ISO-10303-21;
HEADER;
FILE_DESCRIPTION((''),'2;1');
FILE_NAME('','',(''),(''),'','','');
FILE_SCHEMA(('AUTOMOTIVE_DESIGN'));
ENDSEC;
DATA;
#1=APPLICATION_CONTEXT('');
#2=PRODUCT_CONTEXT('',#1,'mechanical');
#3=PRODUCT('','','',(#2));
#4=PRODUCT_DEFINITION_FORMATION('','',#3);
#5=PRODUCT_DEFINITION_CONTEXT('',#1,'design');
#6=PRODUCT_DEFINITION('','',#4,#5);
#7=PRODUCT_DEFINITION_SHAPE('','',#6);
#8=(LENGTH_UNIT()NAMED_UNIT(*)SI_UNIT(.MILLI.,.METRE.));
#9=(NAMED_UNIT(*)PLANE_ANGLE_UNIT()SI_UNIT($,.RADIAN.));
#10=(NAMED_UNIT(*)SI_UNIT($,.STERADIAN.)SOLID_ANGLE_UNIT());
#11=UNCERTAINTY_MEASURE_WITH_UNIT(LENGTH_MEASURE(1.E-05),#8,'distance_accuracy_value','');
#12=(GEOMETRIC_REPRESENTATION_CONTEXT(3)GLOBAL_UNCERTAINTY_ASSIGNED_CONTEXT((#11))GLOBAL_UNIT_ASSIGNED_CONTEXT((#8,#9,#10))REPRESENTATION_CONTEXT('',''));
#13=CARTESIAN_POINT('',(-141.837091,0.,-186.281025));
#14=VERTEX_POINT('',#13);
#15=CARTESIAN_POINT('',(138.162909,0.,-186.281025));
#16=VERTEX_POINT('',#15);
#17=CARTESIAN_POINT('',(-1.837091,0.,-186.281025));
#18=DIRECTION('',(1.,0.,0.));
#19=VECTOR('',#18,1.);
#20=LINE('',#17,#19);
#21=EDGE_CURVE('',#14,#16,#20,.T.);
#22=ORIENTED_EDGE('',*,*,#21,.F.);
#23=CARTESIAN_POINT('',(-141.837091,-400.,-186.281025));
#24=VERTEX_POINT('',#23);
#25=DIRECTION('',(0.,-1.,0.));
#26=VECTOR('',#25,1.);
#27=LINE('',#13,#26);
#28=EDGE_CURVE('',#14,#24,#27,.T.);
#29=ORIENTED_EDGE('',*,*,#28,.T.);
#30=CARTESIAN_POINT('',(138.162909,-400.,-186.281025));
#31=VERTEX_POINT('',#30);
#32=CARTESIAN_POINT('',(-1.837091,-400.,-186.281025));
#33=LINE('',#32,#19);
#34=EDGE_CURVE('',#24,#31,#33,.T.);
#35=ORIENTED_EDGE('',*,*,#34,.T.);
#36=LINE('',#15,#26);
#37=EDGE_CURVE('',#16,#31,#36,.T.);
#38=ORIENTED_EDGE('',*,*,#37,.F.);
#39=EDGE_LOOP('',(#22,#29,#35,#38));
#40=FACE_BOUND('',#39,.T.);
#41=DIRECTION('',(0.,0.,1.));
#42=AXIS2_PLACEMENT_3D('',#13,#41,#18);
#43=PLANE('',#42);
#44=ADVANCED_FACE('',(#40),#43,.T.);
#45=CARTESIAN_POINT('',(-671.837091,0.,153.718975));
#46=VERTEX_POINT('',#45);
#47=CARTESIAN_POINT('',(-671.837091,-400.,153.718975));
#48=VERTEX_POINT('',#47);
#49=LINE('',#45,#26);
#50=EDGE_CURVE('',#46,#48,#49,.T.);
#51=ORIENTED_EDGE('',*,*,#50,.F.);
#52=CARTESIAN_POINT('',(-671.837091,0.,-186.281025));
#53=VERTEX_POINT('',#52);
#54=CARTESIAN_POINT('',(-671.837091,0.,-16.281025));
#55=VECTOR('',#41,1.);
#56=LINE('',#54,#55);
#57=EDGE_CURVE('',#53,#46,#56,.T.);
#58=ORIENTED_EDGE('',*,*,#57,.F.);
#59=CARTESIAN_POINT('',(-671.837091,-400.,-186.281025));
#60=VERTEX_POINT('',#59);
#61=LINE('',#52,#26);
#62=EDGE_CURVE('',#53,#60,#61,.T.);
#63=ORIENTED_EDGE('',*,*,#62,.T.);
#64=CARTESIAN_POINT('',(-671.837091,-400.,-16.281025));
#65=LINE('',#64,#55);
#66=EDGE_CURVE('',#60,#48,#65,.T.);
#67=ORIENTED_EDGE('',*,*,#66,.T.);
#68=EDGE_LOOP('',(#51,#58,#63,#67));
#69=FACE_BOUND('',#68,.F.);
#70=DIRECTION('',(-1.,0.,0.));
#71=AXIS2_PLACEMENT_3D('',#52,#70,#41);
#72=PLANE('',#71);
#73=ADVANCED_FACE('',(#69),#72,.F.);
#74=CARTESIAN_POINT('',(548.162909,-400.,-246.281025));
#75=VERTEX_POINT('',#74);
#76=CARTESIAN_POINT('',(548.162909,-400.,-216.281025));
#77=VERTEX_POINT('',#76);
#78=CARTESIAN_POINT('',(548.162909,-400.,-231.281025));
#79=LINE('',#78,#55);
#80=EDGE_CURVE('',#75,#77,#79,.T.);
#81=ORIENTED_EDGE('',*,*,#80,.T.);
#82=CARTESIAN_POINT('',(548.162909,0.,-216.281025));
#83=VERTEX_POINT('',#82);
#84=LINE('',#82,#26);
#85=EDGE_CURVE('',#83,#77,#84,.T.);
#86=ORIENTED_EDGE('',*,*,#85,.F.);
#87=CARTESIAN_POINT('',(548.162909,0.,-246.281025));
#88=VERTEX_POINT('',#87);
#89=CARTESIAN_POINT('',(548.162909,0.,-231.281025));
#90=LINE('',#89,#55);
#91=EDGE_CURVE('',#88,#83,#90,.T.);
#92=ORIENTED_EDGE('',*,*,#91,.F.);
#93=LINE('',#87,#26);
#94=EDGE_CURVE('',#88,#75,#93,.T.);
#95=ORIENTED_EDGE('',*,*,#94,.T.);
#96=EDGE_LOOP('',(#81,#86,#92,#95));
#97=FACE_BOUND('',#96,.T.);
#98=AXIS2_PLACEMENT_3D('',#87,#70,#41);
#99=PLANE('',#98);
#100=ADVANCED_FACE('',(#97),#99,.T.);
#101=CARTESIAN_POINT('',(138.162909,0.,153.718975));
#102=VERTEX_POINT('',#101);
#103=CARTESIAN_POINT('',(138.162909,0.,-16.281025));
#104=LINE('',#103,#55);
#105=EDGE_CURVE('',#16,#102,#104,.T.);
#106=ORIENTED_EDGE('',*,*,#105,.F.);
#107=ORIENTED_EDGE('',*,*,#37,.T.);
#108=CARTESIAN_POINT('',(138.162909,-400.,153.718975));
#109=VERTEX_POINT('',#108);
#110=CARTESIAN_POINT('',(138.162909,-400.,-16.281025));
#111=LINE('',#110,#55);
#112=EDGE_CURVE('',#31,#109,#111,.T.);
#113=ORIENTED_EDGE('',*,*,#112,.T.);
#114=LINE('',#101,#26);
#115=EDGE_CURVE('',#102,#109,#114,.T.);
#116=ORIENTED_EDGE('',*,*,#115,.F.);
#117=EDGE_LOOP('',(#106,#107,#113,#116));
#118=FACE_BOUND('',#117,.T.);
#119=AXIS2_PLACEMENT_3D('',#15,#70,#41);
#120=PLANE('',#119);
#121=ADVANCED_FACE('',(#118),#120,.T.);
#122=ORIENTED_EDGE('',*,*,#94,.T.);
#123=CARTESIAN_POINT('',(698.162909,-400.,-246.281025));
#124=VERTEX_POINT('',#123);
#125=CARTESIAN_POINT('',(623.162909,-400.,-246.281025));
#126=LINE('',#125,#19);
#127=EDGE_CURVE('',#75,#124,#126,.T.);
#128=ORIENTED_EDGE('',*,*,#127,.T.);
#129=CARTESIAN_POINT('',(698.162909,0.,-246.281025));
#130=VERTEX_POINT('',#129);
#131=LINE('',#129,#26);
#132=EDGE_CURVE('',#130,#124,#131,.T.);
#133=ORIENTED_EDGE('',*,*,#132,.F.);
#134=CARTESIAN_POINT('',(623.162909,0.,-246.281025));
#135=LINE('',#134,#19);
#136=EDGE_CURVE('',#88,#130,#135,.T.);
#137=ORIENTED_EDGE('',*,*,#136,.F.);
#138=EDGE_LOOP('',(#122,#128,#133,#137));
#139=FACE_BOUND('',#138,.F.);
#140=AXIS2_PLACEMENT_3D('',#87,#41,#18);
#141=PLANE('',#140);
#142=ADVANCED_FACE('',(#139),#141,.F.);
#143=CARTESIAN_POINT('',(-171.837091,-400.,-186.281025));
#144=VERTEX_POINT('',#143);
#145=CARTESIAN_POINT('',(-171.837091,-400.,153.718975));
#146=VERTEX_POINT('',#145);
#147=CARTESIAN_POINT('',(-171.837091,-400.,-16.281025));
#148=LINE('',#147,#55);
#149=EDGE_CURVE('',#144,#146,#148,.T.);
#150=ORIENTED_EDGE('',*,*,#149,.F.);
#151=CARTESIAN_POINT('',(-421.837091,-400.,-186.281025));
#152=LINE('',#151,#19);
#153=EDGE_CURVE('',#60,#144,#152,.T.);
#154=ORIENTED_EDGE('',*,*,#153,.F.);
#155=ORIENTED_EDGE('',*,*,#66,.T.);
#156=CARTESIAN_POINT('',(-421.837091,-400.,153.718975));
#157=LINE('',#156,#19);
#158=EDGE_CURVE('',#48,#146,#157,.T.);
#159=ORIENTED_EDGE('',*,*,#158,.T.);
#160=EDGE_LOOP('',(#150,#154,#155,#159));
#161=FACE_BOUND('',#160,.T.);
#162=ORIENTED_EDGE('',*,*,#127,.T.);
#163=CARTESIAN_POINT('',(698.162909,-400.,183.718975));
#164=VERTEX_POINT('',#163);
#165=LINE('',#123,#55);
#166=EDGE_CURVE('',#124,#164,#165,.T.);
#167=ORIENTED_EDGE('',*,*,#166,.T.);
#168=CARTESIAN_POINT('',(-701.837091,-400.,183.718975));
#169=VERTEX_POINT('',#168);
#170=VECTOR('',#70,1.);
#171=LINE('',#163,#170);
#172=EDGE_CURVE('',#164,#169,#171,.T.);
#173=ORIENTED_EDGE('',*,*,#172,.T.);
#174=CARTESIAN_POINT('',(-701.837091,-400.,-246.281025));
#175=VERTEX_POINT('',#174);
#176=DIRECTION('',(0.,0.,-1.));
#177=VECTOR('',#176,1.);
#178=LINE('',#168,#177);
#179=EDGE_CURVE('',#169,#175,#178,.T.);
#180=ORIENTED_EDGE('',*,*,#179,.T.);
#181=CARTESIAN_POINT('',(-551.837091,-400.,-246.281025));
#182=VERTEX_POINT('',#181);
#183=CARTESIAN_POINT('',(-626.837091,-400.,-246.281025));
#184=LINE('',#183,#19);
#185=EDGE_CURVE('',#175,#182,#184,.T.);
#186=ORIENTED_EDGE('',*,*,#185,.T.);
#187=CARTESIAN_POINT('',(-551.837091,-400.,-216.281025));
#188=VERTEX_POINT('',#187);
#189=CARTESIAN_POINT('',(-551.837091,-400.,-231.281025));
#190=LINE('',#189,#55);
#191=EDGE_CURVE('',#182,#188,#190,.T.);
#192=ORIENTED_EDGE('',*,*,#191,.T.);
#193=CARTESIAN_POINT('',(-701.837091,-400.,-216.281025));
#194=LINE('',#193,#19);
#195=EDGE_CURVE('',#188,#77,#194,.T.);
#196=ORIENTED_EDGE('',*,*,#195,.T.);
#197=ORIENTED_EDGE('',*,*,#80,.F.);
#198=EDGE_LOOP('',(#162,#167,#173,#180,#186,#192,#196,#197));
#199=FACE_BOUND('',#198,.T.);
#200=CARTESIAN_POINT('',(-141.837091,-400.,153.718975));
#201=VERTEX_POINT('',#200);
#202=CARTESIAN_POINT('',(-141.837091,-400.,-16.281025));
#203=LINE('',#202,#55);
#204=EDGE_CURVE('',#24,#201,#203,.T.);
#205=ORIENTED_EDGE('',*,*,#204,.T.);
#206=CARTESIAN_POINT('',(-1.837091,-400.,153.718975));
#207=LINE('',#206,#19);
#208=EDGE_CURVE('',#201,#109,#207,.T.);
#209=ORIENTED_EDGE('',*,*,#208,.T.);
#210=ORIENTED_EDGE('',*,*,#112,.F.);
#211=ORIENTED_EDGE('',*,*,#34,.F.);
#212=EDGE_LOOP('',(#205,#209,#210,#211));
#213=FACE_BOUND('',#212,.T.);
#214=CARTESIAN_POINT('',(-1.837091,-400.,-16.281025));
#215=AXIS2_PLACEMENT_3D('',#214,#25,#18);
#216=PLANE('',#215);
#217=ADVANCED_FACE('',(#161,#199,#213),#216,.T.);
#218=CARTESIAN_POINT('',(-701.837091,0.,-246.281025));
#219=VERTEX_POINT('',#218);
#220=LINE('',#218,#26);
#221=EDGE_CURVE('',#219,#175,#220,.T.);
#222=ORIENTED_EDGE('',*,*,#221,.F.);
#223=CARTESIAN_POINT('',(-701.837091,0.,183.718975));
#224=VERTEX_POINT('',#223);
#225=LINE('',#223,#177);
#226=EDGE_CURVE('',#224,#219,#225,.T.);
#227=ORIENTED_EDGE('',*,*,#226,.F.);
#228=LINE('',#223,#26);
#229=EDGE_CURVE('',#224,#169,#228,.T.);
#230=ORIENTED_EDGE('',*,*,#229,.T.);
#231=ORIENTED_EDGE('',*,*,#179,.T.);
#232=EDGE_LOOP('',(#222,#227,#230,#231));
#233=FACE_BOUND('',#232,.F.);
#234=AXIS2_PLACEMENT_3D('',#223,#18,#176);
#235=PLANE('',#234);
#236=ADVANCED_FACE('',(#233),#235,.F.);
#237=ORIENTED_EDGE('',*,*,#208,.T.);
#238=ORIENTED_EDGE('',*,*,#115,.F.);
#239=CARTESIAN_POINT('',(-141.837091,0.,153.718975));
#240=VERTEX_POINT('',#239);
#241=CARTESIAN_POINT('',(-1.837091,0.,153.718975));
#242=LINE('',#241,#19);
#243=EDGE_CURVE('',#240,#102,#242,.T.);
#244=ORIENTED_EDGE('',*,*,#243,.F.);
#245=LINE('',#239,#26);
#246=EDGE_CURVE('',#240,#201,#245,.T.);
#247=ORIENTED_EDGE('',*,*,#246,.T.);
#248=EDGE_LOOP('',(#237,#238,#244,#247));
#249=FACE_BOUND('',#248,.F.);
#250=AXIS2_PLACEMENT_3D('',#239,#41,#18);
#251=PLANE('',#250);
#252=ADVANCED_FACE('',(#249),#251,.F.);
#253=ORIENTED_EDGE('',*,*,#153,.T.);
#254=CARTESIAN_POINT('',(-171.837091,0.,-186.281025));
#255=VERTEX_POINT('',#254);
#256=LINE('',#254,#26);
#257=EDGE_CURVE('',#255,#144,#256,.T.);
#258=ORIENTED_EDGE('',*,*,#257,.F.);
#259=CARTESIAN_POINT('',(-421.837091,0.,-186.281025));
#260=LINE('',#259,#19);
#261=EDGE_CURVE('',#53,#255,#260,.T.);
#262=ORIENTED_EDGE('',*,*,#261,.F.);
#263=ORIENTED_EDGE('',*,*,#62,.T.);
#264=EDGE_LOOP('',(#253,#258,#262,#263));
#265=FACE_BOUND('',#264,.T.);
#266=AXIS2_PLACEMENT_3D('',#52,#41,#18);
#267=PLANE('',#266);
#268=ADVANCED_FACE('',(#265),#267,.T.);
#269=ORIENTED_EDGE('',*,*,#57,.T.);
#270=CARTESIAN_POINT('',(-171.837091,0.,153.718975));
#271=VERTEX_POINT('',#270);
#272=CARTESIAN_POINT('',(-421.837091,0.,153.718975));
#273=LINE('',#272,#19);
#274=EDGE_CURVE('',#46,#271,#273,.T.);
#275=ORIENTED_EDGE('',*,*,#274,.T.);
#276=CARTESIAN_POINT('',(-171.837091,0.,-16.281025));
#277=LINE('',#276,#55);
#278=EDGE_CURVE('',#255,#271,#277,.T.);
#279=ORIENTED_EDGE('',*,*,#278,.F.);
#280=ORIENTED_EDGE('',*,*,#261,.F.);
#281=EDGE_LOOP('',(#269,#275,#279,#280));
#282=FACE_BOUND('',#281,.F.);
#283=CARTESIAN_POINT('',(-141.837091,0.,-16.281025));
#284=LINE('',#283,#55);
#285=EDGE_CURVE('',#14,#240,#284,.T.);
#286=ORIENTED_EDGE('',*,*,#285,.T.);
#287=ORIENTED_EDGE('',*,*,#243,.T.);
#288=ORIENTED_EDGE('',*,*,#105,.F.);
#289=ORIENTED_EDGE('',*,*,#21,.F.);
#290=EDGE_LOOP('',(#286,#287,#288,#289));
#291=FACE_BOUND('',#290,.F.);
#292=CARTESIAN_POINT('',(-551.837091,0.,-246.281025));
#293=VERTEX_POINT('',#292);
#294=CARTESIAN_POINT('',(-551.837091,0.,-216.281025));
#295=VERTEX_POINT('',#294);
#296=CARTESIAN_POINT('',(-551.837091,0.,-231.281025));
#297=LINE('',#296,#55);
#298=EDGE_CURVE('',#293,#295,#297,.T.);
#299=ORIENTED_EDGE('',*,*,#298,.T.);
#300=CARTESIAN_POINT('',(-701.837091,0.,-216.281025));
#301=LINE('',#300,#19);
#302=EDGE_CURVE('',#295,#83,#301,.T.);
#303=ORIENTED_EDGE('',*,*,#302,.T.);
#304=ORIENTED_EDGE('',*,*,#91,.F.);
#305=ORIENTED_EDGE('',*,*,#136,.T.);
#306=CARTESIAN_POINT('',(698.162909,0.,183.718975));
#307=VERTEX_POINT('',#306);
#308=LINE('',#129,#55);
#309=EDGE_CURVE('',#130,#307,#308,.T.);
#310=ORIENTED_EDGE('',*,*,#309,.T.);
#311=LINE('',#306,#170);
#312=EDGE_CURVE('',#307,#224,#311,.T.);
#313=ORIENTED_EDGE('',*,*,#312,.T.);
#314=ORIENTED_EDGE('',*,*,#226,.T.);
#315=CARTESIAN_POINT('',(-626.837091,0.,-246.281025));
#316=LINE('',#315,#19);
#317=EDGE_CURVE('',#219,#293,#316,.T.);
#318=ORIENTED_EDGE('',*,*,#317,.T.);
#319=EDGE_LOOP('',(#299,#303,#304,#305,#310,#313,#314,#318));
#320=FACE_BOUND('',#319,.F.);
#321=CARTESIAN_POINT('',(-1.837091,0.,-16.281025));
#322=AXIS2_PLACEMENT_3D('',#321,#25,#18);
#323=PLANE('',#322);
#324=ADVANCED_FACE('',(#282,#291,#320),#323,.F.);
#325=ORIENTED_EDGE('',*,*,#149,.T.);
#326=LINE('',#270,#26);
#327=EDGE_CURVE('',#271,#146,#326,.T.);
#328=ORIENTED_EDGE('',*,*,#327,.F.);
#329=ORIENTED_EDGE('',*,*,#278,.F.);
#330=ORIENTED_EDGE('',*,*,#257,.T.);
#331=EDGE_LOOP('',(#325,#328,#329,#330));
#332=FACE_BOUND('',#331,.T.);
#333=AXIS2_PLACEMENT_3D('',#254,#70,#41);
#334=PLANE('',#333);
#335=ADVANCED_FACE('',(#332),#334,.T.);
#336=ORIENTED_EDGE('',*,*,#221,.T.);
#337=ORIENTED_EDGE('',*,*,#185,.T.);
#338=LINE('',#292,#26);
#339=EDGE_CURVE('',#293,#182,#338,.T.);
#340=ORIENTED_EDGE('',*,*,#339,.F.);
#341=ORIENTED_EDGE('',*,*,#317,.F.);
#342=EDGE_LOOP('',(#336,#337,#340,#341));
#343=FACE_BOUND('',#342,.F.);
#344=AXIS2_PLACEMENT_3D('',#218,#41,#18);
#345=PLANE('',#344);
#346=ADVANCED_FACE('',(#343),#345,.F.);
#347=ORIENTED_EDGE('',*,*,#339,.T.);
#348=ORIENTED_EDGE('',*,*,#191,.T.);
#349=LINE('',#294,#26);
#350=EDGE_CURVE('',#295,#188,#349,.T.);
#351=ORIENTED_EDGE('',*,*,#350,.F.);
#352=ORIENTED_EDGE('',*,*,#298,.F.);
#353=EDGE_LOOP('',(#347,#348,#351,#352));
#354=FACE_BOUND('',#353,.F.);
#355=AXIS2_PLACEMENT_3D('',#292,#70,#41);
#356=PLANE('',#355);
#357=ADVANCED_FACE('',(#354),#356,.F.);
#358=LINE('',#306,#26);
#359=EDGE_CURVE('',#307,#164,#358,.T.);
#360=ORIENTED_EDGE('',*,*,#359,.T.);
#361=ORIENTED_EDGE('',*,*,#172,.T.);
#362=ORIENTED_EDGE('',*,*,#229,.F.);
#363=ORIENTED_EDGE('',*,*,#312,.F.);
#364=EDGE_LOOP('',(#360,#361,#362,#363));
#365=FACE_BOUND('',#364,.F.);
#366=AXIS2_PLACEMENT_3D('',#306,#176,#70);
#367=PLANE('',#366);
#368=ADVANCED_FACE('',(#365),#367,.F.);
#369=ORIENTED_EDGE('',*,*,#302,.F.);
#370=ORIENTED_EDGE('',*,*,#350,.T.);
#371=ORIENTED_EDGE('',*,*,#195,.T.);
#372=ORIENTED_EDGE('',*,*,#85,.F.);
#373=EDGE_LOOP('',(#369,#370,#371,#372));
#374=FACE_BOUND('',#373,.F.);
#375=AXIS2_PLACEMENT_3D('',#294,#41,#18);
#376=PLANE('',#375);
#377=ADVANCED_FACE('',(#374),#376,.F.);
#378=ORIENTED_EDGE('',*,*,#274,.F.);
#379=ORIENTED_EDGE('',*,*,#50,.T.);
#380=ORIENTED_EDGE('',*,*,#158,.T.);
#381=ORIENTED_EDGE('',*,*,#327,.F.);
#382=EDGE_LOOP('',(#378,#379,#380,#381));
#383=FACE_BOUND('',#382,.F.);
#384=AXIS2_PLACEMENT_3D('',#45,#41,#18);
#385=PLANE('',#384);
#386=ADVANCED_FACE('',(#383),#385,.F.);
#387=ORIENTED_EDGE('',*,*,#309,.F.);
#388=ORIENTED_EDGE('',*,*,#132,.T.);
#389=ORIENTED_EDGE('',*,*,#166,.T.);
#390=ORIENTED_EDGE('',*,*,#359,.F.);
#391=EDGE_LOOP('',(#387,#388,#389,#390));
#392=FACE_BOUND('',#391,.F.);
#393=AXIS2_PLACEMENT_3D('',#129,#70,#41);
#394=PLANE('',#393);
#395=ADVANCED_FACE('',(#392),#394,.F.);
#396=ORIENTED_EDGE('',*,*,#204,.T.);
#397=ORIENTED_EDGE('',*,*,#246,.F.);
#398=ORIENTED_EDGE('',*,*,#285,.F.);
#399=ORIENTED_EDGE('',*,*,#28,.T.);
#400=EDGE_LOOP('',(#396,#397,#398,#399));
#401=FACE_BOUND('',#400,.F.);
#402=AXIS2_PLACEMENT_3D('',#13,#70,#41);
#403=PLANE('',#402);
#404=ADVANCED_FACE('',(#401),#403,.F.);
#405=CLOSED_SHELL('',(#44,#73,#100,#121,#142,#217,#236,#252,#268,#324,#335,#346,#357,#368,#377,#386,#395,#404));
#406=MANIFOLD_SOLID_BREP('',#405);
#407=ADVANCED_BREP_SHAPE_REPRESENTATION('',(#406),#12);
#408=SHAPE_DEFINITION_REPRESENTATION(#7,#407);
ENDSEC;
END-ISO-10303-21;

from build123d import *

# Parameters (mm, degrees)
F0_W     = 500
F0_H     = 340
F0_W_2   = 280
F0_W_3   = 150
F0_H_2   = 30
F1_DEPTH = 400


with BuildPart() as f1:
    # F0 (on Front) → F1 (new body)
    with BuildSketch(Plane.XZ):
        Polygon((698.162909, 183.718975), (-701.837091, 183.718975), (-701.837091, 143.844262), (-701.837091, 143.718975), (-701.837091, -216.281025), (-551.837091, -216.281025), (548.162909, -216.281025), (698.162909, -216.281025), (698.162909, -186.281025), (698.162909, 153.718975), align=None)
        with Locations((-421.837091, -16.281025)):
            Rectangle(F0_W, F0_H, mode=Mode.SUBTRACT)
        with Locations((-1.837091, -16.281025)):
            Rectangle(F0_W_2, F0_H, mode=Mode.SUBTRACT)
        with Locations((418.162909, -16.281025)):
            Rectangle(F0_W, F0_H, mode=Mode.SUBTRACT)
        with Locations((623.162909, -231.281025)):
            Rectangle(F0_W_3, F0_H_2)
        with Locations((418.162909, -16.281025)):
            Rectangle(F0_W, F0_H)
        with Locations((-626.837091, -231.281025)):
            Rectangle(F0_W_3, F0_H_2)
    extrude(amount=F1_DEPTH)


solid = f1.part
